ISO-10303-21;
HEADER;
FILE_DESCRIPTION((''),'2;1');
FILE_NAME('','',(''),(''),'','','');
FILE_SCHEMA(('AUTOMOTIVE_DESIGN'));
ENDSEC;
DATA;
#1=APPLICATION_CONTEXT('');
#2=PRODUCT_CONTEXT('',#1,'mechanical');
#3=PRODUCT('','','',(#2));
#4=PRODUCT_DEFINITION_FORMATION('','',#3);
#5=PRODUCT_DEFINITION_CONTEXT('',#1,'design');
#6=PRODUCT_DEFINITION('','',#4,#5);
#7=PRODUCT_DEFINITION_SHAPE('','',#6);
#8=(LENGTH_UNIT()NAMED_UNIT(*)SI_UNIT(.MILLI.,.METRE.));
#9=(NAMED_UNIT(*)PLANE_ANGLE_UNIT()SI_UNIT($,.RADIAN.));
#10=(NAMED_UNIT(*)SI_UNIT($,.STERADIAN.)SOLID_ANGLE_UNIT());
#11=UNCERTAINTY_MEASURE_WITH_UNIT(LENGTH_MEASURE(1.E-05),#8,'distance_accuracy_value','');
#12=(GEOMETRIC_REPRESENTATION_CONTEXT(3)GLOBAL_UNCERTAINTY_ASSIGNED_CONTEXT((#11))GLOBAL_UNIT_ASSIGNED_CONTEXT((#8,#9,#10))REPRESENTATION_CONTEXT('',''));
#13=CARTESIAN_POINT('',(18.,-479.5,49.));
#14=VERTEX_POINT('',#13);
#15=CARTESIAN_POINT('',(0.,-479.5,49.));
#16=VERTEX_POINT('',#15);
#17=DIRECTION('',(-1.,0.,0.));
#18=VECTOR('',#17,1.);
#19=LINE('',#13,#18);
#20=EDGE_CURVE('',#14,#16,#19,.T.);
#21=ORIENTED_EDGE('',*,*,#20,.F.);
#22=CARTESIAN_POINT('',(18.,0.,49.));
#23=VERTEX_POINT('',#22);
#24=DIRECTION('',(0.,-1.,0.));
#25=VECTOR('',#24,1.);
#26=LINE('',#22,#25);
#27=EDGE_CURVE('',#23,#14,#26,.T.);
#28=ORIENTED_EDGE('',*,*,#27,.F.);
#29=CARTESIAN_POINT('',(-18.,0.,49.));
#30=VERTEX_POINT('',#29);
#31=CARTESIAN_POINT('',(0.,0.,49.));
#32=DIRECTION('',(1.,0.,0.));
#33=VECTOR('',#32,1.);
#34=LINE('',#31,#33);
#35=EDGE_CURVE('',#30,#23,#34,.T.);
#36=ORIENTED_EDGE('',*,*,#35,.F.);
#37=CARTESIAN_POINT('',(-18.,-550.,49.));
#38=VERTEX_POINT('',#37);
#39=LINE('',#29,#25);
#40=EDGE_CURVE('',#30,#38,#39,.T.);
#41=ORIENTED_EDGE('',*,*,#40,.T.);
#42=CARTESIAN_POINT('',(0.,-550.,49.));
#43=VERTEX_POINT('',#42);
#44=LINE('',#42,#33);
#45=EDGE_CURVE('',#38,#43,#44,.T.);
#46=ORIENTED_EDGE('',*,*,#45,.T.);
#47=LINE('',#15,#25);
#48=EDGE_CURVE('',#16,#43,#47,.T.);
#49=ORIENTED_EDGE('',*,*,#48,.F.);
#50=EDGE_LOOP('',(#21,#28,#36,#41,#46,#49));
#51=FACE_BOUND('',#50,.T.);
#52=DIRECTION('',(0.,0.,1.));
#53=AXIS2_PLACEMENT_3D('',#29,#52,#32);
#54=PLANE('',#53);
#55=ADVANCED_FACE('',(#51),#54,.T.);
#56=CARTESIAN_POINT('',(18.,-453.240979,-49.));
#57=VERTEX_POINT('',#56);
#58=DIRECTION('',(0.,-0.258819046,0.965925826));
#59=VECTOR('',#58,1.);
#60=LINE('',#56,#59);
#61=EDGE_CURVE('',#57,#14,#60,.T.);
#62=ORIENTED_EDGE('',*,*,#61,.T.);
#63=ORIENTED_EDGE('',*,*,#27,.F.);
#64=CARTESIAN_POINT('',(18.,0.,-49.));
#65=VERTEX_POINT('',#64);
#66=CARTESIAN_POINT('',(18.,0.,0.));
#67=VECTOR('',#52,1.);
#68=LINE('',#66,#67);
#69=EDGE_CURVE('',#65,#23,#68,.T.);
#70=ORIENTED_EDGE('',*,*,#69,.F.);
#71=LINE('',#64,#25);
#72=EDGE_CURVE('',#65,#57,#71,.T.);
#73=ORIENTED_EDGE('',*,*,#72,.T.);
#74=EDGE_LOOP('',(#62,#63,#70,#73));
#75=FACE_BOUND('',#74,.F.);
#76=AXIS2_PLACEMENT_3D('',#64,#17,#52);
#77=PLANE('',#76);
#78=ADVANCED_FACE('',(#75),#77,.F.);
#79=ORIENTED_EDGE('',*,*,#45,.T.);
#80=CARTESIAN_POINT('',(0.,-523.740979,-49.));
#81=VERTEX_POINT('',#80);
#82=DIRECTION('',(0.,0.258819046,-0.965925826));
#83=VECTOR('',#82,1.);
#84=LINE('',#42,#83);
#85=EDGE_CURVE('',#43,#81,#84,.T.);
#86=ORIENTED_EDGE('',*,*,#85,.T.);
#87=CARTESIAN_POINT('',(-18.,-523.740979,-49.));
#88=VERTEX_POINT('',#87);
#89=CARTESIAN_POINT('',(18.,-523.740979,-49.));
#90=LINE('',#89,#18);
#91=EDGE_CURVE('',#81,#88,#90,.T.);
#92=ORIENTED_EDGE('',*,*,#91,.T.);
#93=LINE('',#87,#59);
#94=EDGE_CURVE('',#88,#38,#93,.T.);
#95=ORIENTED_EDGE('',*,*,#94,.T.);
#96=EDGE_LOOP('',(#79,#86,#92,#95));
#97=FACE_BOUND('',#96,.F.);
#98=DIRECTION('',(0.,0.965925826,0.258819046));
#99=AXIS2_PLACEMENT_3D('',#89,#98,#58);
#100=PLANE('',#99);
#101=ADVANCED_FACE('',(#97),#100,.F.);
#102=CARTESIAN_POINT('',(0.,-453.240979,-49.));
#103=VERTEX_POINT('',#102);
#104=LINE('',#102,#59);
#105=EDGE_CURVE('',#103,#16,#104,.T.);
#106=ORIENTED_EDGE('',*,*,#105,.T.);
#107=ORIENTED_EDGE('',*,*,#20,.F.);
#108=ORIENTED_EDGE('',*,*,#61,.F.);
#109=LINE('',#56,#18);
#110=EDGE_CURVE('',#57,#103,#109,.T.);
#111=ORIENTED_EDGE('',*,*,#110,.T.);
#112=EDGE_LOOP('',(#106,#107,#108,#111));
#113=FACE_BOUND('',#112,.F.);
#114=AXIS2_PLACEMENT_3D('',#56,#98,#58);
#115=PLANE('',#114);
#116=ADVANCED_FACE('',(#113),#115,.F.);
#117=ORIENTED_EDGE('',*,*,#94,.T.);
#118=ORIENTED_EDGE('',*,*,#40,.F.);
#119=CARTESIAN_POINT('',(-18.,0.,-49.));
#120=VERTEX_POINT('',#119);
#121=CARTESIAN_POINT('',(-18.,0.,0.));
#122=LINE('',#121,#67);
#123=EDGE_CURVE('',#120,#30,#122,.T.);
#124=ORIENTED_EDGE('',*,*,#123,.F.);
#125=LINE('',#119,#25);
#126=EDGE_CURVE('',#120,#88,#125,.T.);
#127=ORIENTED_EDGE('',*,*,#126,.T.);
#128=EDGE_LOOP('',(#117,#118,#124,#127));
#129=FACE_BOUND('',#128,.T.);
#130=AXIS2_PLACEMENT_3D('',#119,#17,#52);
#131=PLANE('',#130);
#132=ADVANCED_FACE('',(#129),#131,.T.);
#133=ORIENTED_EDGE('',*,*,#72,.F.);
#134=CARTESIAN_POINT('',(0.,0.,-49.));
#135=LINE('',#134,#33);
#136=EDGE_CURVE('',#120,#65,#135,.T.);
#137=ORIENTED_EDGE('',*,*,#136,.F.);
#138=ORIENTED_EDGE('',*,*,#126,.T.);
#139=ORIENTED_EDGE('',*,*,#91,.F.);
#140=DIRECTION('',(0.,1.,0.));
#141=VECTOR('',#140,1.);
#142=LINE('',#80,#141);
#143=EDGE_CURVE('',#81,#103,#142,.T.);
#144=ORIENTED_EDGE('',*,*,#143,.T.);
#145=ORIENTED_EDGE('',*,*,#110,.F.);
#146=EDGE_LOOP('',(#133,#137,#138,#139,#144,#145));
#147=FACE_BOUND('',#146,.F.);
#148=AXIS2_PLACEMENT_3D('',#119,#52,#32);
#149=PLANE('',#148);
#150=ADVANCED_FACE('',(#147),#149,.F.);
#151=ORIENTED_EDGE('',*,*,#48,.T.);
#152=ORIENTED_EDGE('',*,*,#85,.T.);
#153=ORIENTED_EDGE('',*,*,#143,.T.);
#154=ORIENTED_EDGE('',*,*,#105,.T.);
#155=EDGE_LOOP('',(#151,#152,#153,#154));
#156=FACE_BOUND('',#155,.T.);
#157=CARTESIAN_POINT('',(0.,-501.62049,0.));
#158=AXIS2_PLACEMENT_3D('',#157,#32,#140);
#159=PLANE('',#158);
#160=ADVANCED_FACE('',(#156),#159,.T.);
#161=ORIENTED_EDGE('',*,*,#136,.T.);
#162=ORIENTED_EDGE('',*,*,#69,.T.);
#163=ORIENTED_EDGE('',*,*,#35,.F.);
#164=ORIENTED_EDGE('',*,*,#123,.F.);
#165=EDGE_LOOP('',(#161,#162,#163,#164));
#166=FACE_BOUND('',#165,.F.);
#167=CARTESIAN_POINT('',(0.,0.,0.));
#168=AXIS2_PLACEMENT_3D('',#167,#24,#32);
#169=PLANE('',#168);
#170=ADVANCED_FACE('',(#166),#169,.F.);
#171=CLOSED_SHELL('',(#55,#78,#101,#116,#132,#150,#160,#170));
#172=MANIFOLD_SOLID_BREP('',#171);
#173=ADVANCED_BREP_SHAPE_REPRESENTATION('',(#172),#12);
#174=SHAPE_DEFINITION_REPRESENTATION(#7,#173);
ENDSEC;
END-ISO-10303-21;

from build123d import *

# Parameters (mm, degrees)
F0_W     = 36
F0_H     = 98
F1_DEPTH = 550
F3_DEPTH = 36
F5_DEPTH = 18


with BuildPart() as f1:
    # F0 (on Front) → F1 (new body)
    with BuildSketch(Plane.XZ):
        Rectangle(F0_W, F0_H)
    extrude(amount=F1_DEPTH)

    # F2 (on face) → F3 (cut, through all)
    with BuildSketch(Plane.YZ.offset(18)):
        Polygon((-523.740979, -49), (-550, 49), (-550, -49), align=None)
    extrude(amount=-F3_DEPTH, mode=Mode.SUBTRACT)

    # F4 (on face) → F5 (cut)
    with BuildSketch(Plane.YZ.offset(18)):
        Polygon((-479.5, 49), (-550, 49), (-523.740979, -49), (-453.240979, -49), align=None)
    extrude(amount=-F5_DEPTH, mode=Mode.SUBTRACT)


solid = f1.part
